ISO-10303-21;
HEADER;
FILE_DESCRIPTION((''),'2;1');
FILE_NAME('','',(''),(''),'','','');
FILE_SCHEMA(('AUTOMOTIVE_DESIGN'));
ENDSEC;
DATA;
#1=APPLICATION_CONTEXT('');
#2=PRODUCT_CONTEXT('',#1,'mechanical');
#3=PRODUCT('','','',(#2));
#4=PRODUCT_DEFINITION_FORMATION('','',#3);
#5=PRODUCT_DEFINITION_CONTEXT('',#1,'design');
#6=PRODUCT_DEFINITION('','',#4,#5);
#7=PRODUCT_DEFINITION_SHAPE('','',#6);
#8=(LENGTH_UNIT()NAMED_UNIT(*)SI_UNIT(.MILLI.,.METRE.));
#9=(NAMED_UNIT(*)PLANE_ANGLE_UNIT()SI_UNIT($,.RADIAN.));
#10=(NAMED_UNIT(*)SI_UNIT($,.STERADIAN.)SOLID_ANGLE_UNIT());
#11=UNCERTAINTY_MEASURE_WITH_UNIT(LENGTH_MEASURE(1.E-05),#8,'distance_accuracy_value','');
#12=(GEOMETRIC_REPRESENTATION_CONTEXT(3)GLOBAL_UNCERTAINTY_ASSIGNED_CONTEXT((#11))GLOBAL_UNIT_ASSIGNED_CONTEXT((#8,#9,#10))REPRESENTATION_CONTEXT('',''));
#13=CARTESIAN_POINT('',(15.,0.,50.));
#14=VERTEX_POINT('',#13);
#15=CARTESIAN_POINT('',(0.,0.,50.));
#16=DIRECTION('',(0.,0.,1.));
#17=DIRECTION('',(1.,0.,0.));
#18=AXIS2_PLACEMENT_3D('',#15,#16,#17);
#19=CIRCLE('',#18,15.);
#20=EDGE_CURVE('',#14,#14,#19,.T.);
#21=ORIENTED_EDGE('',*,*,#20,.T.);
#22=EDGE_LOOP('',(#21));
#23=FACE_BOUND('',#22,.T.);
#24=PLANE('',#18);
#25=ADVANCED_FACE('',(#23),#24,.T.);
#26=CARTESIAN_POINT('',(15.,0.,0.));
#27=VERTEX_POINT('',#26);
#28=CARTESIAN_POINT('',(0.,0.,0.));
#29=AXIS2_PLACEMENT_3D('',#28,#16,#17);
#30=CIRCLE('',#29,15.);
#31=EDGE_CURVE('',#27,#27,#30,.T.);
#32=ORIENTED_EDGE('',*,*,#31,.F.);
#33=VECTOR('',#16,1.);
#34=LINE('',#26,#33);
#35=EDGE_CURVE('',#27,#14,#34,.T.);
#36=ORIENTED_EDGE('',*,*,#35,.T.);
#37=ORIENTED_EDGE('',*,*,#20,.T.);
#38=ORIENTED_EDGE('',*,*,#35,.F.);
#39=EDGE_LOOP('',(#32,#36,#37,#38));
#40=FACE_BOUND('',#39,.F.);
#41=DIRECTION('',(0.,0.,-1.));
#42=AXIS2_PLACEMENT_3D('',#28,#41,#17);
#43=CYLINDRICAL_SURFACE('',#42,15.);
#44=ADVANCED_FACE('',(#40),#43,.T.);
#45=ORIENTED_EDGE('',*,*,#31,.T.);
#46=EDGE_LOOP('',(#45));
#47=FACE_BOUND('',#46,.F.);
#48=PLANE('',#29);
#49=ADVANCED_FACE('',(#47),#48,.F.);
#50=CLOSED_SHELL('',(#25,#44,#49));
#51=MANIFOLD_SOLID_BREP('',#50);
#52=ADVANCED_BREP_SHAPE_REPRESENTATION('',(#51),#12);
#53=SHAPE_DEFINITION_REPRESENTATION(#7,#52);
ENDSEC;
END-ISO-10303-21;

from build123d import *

# Parameters (mm, degrees)
SKETCH_R      = 15
EXTRUDE_DEPTH = 50


with BuildPart() as part:
    # Sketch → Extrude (new body)
    with BuildSketch(Plane.XY):
        Circle(SKETCH_R)
    extrude(amount=EXTRUDE_DEPTH)


solid = part.part
